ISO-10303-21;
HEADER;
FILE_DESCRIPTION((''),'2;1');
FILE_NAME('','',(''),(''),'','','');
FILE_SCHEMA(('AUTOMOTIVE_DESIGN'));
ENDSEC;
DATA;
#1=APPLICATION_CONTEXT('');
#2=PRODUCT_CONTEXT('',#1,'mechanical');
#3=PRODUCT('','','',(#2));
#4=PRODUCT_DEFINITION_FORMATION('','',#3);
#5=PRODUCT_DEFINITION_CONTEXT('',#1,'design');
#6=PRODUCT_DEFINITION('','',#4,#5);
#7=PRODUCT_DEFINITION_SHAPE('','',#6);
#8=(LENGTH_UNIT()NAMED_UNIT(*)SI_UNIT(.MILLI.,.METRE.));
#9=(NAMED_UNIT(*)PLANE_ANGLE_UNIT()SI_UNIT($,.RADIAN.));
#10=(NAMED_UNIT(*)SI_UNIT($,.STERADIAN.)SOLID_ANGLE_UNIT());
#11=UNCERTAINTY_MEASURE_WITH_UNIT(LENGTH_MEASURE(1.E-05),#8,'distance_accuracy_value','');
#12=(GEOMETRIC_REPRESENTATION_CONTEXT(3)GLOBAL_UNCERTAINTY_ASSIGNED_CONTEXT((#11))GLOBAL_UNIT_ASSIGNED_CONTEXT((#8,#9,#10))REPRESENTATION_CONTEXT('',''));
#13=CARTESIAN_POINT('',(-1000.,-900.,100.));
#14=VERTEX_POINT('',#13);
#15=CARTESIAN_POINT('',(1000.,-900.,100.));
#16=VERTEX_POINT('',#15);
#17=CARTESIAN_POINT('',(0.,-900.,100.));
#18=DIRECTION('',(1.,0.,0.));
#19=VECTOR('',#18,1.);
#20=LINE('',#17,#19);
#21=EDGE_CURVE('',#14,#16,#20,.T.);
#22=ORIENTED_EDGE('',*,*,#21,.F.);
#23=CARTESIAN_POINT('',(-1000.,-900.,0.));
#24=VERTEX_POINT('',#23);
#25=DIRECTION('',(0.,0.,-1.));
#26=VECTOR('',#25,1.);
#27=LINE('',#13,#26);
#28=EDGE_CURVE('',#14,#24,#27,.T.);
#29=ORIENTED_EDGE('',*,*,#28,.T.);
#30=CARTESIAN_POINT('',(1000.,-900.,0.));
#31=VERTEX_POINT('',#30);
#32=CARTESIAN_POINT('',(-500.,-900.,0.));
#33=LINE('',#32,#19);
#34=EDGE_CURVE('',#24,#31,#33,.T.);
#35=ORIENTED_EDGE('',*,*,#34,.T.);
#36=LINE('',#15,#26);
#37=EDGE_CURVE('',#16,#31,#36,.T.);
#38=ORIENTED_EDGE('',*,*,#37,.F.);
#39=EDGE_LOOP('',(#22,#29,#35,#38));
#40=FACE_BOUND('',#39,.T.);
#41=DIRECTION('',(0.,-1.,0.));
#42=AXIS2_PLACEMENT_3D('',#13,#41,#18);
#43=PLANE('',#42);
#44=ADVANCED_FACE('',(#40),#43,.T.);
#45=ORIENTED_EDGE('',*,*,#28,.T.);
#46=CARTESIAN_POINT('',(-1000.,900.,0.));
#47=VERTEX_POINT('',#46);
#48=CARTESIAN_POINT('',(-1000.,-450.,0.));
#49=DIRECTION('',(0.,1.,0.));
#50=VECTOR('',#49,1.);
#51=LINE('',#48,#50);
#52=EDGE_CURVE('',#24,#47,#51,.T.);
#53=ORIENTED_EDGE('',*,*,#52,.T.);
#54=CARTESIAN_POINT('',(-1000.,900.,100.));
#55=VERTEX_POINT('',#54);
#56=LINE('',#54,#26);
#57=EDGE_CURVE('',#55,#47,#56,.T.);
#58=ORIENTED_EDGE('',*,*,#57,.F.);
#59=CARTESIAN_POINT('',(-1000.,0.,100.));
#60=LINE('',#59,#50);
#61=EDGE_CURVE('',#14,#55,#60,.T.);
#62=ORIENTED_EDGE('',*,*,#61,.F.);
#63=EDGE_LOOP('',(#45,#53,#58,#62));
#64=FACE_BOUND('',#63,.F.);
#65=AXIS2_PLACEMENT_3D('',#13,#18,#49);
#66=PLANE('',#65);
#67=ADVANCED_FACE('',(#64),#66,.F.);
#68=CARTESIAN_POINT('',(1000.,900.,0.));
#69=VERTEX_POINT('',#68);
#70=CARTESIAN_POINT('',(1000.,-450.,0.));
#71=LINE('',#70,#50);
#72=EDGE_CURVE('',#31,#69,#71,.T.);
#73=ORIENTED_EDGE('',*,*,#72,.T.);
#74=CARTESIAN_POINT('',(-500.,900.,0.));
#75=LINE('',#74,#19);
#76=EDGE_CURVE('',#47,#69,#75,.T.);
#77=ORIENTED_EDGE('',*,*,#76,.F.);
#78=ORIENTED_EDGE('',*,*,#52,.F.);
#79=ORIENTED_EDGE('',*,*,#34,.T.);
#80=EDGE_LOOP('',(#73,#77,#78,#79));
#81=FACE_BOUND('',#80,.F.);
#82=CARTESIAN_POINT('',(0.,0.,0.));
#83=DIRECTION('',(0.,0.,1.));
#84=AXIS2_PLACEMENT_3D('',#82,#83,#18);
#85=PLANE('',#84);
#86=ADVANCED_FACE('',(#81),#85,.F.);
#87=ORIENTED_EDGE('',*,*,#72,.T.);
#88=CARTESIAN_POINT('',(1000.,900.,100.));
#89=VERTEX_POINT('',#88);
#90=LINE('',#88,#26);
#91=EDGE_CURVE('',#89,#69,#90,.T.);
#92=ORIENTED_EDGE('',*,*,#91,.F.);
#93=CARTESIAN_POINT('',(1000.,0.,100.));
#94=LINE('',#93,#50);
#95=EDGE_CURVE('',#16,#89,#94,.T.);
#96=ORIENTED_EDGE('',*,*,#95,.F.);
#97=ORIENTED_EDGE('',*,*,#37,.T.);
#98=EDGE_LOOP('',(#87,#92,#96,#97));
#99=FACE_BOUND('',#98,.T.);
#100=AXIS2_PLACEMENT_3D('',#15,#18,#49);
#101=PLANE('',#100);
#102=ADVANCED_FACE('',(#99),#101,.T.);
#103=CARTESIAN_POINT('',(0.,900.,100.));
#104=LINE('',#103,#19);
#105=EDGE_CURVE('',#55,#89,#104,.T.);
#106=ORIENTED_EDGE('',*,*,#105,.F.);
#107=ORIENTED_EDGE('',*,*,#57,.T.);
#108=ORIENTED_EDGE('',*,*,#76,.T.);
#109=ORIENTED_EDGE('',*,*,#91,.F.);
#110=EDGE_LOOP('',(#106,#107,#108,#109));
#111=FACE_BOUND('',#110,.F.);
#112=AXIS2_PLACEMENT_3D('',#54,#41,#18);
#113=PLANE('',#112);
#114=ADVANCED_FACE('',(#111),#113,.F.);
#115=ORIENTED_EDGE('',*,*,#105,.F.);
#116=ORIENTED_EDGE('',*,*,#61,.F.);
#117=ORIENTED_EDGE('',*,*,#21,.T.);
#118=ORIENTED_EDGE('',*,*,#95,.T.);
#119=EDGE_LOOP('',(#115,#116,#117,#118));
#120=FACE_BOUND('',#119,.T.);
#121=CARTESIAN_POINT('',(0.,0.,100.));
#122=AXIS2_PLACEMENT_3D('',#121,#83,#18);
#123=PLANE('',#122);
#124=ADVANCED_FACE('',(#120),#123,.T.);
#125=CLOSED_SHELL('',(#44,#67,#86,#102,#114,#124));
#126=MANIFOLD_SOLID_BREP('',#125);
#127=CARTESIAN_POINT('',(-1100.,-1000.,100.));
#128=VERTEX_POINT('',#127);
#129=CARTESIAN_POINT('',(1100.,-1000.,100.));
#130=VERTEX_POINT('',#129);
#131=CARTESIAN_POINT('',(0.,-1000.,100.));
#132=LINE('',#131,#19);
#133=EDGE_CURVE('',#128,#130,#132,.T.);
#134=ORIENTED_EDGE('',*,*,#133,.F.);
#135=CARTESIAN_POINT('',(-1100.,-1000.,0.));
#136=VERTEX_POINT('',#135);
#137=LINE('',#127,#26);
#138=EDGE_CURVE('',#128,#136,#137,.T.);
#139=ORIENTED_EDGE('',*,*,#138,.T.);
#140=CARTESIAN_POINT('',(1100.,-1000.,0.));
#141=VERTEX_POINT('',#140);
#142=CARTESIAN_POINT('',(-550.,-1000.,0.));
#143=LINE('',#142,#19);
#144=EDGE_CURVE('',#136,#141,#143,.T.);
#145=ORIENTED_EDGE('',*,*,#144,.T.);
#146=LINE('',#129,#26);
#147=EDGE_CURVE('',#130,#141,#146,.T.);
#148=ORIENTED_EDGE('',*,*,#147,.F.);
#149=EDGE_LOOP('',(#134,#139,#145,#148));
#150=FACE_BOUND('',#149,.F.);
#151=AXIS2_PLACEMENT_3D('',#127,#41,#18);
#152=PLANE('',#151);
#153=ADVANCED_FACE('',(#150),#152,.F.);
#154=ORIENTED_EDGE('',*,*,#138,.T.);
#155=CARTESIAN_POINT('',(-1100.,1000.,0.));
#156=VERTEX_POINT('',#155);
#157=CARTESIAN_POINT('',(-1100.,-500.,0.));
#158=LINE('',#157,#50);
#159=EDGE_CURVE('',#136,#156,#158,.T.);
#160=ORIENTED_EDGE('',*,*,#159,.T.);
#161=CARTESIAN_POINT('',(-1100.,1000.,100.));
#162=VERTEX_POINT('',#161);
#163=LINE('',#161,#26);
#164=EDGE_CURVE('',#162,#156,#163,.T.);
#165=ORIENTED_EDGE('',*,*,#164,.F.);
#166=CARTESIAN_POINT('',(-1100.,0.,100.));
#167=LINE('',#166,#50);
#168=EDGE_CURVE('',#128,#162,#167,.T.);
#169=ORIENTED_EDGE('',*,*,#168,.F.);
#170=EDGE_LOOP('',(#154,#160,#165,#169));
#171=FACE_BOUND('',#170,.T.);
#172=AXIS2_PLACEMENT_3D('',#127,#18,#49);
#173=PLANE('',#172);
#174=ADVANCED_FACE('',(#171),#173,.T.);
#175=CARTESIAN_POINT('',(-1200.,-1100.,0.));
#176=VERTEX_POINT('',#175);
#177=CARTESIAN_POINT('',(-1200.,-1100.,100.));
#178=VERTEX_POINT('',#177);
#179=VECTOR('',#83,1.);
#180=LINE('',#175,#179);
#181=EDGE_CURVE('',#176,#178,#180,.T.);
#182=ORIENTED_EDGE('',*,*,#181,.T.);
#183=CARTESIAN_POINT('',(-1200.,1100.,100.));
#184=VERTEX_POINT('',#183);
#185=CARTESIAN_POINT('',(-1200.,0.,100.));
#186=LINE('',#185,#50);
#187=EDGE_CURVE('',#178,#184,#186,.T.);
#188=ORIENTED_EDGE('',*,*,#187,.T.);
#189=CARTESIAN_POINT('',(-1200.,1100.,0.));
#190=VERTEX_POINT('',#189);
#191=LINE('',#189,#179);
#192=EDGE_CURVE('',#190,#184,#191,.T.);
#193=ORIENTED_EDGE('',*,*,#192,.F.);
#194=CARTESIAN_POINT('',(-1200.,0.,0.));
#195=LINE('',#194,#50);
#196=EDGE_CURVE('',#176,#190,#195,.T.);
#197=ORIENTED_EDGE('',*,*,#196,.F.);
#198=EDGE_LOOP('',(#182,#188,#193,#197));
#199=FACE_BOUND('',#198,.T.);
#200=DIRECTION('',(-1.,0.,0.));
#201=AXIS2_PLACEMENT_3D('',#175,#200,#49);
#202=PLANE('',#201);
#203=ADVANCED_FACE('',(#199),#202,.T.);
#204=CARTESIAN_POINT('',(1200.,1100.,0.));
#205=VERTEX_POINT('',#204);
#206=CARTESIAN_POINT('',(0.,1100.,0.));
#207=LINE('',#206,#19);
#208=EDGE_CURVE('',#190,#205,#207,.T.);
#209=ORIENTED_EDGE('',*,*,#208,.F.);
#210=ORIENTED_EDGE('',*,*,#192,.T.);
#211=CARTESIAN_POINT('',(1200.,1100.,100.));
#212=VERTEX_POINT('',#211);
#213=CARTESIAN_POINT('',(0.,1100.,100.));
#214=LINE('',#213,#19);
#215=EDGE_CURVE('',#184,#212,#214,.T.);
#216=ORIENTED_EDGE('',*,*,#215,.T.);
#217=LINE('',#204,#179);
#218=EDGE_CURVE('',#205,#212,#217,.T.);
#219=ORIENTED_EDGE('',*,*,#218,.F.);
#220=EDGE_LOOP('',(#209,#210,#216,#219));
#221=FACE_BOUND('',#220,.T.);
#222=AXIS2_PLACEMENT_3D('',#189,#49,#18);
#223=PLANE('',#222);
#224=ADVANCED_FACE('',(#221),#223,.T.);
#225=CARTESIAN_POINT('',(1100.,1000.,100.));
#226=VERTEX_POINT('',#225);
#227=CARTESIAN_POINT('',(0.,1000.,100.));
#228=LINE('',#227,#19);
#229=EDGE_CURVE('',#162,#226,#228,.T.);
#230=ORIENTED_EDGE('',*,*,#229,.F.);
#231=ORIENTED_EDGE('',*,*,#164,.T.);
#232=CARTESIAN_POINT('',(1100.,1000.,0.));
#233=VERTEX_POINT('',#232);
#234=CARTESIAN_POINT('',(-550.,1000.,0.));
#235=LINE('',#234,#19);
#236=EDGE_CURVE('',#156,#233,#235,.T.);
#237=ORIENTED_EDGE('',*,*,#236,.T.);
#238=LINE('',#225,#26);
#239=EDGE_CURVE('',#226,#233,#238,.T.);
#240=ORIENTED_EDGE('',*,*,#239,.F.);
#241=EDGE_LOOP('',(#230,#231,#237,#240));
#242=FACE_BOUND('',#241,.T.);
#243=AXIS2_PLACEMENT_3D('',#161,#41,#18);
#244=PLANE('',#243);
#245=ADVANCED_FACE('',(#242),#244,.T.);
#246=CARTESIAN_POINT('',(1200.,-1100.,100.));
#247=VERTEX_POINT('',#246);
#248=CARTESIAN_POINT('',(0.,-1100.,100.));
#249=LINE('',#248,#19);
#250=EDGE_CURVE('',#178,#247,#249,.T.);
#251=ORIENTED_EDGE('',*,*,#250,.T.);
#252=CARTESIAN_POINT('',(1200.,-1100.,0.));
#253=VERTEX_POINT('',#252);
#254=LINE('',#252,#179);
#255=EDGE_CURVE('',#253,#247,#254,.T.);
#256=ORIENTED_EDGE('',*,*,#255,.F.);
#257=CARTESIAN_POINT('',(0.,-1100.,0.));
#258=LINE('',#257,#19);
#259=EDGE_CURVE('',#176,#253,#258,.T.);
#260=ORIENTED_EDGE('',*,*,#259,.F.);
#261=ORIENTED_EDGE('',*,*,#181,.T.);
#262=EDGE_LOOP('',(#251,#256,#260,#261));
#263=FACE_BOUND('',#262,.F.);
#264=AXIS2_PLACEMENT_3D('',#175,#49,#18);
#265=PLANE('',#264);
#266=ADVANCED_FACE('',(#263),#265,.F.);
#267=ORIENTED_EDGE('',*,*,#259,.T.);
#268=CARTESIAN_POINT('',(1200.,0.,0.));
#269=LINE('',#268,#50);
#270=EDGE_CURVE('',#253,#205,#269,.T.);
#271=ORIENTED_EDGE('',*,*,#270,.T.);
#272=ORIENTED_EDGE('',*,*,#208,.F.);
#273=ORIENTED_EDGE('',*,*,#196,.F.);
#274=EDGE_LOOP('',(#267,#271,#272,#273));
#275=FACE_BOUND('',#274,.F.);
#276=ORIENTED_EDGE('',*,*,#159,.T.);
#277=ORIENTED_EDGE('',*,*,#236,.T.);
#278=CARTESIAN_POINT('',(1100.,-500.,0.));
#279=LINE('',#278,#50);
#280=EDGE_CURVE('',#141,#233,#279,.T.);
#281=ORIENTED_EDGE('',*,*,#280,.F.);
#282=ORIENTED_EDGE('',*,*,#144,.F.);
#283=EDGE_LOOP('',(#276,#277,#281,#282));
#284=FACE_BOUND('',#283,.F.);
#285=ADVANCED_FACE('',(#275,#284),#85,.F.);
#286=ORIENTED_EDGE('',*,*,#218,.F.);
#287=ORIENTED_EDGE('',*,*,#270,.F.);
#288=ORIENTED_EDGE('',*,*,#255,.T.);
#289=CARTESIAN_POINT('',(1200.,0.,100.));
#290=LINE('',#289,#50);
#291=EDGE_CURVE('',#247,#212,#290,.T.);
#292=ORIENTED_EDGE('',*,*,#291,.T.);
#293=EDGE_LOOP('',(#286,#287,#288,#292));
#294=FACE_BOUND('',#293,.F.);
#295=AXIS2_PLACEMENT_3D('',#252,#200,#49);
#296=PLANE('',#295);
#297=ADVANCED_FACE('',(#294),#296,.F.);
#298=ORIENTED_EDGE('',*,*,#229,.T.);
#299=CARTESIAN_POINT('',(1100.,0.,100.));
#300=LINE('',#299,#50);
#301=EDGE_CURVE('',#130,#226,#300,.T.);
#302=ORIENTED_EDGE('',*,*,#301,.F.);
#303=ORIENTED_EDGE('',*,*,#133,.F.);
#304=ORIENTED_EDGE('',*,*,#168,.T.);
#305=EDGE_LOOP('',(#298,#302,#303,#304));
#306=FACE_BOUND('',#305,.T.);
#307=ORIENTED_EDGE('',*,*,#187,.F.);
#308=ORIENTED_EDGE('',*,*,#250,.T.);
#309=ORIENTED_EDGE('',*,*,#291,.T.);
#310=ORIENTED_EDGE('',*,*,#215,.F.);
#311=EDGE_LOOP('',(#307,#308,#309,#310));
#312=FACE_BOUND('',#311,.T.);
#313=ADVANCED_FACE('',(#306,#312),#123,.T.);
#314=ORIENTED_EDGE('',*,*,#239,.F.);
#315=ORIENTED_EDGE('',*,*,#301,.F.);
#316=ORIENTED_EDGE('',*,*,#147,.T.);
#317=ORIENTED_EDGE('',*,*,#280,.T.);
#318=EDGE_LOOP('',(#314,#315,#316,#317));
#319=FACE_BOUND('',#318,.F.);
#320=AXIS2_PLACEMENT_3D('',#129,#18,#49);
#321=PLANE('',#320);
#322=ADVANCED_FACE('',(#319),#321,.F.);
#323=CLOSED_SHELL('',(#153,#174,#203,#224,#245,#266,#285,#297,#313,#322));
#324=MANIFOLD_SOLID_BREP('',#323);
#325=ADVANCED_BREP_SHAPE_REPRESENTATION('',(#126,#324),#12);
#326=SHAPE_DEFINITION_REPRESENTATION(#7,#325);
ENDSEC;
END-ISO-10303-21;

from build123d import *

# Parameters (mm, degrees)
F0_W     = 2400
F0_H     = 2200
F1_DEPTH = 100
F2_W     = 2200
F2_H     = 2000
F2_W_2   = 2000
F2_H_2   = 1800
F3_DEPTH = 100.001


with BuildPart() as f1:
    # F0 (on Top) → F1 (new body)
    with BuildSketch(Plane.XY):
        Rectangle(F0_W, F0_H)
    extrude(amount=F1_DEPTH)

    # F2 (on face) → F3 (cut, through all)
    with BuildSketch(Plane.XY.offset(100)):
        Rectangle(F2_W, F2_H)
        Rectangle(F2_W_2, F2_H_2, mode=Mode.SUBTRACT)
    extrude(amount=-F3_DEPTH, mode=Mode.SUBTRACT)


solid = f1.part
